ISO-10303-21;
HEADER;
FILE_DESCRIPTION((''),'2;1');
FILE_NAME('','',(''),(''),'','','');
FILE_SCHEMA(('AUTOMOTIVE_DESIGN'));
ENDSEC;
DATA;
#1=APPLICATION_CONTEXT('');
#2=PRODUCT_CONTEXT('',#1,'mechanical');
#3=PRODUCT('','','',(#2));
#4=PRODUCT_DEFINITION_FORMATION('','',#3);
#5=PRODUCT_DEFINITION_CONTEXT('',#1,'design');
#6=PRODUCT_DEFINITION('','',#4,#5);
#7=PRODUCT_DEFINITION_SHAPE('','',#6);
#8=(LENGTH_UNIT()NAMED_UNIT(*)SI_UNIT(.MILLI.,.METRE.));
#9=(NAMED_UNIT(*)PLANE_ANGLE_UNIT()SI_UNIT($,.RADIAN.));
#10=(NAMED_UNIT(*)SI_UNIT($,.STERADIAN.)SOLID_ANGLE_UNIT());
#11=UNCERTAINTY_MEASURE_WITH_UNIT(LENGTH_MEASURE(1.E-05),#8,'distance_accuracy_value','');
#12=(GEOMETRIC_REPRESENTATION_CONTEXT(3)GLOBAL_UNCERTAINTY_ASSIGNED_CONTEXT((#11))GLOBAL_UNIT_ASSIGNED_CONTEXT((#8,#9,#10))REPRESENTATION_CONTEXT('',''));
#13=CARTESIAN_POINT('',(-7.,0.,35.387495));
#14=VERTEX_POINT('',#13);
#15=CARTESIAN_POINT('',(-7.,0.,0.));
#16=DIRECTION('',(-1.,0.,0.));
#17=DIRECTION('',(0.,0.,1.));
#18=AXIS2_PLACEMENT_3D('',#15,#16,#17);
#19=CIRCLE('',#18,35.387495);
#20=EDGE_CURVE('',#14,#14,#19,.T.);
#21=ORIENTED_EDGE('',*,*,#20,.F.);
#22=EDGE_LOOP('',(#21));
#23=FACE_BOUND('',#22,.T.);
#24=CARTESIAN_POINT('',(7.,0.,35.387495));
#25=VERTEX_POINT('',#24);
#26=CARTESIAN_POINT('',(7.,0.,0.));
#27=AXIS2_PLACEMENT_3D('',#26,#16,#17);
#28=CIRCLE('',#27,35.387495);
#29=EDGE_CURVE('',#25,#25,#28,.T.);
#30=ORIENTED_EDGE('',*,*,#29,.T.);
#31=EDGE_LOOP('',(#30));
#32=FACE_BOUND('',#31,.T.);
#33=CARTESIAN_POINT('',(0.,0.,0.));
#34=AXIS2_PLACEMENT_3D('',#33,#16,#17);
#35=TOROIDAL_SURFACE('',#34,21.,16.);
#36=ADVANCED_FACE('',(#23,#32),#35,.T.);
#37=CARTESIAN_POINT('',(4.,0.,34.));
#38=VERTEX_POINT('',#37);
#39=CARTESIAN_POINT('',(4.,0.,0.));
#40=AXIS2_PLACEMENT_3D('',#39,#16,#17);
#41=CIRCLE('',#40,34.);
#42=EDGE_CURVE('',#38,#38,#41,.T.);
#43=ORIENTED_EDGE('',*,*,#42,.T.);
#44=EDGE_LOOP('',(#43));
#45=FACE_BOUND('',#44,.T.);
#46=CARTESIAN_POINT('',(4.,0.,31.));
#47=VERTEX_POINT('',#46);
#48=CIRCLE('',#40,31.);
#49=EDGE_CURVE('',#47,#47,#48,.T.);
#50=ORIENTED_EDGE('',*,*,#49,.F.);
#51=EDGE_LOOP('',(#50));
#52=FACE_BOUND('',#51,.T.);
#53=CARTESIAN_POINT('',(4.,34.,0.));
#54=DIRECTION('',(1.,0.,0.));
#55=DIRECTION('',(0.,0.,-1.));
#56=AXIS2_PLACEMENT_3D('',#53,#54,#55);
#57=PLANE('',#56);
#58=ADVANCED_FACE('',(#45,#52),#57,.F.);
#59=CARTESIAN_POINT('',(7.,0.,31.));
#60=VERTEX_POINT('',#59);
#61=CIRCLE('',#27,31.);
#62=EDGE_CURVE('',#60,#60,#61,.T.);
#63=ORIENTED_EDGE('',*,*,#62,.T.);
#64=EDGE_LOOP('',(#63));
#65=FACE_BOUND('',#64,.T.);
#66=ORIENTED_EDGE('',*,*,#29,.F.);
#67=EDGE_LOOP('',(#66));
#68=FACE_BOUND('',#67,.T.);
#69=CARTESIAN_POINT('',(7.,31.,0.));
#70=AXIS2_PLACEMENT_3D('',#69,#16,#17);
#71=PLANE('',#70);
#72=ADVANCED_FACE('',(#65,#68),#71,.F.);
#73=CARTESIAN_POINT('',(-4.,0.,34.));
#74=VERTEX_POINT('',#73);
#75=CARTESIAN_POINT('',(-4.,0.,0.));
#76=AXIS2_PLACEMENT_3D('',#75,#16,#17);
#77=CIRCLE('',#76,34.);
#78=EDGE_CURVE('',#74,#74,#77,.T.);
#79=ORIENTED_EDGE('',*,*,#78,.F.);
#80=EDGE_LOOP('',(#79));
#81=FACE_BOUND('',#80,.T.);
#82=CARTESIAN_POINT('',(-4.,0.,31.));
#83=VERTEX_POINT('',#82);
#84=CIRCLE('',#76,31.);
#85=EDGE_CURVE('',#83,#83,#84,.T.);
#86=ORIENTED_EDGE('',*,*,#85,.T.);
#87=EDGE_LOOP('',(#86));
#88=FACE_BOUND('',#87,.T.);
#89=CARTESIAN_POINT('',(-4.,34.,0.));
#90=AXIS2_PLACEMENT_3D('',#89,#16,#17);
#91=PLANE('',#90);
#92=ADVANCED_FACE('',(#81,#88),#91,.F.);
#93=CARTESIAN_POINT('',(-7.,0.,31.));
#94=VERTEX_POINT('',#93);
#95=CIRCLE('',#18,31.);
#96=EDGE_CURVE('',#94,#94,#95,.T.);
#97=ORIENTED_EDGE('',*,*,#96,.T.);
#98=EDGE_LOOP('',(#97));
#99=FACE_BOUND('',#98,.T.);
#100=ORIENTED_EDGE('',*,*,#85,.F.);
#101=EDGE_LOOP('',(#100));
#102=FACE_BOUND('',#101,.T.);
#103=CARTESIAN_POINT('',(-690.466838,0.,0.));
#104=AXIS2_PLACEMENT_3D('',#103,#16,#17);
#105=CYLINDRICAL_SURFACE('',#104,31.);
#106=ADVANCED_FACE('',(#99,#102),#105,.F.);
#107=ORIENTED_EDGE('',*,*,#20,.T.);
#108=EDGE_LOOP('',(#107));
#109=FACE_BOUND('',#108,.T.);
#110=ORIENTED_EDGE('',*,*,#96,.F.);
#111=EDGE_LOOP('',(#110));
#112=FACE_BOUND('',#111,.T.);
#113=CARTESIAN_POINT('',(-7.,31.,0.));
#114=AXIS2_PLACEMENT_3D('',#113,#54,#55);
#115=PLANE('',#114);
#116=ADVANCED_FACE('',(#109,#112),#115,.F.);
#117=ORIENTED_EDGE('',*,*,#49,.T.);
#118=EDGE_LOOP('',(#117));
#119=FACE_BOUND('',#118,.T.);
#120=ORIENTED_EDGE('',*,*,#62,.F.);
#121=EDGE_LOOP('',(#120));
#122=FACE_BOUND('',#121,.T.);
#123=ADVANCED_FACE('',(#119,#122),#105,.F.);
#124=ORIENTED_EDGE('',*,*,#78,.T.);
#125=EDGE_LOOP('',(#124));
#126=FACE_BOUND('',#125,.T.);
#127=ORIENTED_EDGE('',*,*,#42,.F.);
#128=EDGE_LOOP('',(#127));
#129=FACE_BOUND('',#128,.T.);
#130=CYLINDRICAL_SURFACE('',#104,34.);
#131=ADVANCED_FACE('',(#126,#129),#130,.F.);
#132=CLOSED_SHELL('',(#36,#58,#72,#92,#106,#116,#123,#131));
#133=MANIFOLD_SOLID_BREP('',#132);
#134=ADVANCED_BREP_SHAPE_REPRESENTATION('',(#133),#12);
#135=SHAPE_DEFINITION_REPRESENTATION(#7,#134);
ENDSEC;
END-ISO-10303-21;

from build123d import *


with BuildPart() as part:
    # Sketch1 → Revolve1 (revolve)
    with BuildSketch(Plane.XY):
        with BuildLine():
            Line((4, 34), (-4, 34))
            Line((-4, 34), (-4, 31))
            Line((-4, 31), (-7, 31))
            Line((-7, 31), (-7, 35.38749457))
            ThreePointArc((-7, 35.38749457), (0, 37), (7, 35.38749457))
            Line((7, 35.38749457), (7, 31))
            Line((7, 31), (4, 31))
            Line((4, 31), (4, 34))
        make_face()
    revolve(axis=Axis((-690.466838324, 0, 0), (1, 0, 0)))


solid = part.part
